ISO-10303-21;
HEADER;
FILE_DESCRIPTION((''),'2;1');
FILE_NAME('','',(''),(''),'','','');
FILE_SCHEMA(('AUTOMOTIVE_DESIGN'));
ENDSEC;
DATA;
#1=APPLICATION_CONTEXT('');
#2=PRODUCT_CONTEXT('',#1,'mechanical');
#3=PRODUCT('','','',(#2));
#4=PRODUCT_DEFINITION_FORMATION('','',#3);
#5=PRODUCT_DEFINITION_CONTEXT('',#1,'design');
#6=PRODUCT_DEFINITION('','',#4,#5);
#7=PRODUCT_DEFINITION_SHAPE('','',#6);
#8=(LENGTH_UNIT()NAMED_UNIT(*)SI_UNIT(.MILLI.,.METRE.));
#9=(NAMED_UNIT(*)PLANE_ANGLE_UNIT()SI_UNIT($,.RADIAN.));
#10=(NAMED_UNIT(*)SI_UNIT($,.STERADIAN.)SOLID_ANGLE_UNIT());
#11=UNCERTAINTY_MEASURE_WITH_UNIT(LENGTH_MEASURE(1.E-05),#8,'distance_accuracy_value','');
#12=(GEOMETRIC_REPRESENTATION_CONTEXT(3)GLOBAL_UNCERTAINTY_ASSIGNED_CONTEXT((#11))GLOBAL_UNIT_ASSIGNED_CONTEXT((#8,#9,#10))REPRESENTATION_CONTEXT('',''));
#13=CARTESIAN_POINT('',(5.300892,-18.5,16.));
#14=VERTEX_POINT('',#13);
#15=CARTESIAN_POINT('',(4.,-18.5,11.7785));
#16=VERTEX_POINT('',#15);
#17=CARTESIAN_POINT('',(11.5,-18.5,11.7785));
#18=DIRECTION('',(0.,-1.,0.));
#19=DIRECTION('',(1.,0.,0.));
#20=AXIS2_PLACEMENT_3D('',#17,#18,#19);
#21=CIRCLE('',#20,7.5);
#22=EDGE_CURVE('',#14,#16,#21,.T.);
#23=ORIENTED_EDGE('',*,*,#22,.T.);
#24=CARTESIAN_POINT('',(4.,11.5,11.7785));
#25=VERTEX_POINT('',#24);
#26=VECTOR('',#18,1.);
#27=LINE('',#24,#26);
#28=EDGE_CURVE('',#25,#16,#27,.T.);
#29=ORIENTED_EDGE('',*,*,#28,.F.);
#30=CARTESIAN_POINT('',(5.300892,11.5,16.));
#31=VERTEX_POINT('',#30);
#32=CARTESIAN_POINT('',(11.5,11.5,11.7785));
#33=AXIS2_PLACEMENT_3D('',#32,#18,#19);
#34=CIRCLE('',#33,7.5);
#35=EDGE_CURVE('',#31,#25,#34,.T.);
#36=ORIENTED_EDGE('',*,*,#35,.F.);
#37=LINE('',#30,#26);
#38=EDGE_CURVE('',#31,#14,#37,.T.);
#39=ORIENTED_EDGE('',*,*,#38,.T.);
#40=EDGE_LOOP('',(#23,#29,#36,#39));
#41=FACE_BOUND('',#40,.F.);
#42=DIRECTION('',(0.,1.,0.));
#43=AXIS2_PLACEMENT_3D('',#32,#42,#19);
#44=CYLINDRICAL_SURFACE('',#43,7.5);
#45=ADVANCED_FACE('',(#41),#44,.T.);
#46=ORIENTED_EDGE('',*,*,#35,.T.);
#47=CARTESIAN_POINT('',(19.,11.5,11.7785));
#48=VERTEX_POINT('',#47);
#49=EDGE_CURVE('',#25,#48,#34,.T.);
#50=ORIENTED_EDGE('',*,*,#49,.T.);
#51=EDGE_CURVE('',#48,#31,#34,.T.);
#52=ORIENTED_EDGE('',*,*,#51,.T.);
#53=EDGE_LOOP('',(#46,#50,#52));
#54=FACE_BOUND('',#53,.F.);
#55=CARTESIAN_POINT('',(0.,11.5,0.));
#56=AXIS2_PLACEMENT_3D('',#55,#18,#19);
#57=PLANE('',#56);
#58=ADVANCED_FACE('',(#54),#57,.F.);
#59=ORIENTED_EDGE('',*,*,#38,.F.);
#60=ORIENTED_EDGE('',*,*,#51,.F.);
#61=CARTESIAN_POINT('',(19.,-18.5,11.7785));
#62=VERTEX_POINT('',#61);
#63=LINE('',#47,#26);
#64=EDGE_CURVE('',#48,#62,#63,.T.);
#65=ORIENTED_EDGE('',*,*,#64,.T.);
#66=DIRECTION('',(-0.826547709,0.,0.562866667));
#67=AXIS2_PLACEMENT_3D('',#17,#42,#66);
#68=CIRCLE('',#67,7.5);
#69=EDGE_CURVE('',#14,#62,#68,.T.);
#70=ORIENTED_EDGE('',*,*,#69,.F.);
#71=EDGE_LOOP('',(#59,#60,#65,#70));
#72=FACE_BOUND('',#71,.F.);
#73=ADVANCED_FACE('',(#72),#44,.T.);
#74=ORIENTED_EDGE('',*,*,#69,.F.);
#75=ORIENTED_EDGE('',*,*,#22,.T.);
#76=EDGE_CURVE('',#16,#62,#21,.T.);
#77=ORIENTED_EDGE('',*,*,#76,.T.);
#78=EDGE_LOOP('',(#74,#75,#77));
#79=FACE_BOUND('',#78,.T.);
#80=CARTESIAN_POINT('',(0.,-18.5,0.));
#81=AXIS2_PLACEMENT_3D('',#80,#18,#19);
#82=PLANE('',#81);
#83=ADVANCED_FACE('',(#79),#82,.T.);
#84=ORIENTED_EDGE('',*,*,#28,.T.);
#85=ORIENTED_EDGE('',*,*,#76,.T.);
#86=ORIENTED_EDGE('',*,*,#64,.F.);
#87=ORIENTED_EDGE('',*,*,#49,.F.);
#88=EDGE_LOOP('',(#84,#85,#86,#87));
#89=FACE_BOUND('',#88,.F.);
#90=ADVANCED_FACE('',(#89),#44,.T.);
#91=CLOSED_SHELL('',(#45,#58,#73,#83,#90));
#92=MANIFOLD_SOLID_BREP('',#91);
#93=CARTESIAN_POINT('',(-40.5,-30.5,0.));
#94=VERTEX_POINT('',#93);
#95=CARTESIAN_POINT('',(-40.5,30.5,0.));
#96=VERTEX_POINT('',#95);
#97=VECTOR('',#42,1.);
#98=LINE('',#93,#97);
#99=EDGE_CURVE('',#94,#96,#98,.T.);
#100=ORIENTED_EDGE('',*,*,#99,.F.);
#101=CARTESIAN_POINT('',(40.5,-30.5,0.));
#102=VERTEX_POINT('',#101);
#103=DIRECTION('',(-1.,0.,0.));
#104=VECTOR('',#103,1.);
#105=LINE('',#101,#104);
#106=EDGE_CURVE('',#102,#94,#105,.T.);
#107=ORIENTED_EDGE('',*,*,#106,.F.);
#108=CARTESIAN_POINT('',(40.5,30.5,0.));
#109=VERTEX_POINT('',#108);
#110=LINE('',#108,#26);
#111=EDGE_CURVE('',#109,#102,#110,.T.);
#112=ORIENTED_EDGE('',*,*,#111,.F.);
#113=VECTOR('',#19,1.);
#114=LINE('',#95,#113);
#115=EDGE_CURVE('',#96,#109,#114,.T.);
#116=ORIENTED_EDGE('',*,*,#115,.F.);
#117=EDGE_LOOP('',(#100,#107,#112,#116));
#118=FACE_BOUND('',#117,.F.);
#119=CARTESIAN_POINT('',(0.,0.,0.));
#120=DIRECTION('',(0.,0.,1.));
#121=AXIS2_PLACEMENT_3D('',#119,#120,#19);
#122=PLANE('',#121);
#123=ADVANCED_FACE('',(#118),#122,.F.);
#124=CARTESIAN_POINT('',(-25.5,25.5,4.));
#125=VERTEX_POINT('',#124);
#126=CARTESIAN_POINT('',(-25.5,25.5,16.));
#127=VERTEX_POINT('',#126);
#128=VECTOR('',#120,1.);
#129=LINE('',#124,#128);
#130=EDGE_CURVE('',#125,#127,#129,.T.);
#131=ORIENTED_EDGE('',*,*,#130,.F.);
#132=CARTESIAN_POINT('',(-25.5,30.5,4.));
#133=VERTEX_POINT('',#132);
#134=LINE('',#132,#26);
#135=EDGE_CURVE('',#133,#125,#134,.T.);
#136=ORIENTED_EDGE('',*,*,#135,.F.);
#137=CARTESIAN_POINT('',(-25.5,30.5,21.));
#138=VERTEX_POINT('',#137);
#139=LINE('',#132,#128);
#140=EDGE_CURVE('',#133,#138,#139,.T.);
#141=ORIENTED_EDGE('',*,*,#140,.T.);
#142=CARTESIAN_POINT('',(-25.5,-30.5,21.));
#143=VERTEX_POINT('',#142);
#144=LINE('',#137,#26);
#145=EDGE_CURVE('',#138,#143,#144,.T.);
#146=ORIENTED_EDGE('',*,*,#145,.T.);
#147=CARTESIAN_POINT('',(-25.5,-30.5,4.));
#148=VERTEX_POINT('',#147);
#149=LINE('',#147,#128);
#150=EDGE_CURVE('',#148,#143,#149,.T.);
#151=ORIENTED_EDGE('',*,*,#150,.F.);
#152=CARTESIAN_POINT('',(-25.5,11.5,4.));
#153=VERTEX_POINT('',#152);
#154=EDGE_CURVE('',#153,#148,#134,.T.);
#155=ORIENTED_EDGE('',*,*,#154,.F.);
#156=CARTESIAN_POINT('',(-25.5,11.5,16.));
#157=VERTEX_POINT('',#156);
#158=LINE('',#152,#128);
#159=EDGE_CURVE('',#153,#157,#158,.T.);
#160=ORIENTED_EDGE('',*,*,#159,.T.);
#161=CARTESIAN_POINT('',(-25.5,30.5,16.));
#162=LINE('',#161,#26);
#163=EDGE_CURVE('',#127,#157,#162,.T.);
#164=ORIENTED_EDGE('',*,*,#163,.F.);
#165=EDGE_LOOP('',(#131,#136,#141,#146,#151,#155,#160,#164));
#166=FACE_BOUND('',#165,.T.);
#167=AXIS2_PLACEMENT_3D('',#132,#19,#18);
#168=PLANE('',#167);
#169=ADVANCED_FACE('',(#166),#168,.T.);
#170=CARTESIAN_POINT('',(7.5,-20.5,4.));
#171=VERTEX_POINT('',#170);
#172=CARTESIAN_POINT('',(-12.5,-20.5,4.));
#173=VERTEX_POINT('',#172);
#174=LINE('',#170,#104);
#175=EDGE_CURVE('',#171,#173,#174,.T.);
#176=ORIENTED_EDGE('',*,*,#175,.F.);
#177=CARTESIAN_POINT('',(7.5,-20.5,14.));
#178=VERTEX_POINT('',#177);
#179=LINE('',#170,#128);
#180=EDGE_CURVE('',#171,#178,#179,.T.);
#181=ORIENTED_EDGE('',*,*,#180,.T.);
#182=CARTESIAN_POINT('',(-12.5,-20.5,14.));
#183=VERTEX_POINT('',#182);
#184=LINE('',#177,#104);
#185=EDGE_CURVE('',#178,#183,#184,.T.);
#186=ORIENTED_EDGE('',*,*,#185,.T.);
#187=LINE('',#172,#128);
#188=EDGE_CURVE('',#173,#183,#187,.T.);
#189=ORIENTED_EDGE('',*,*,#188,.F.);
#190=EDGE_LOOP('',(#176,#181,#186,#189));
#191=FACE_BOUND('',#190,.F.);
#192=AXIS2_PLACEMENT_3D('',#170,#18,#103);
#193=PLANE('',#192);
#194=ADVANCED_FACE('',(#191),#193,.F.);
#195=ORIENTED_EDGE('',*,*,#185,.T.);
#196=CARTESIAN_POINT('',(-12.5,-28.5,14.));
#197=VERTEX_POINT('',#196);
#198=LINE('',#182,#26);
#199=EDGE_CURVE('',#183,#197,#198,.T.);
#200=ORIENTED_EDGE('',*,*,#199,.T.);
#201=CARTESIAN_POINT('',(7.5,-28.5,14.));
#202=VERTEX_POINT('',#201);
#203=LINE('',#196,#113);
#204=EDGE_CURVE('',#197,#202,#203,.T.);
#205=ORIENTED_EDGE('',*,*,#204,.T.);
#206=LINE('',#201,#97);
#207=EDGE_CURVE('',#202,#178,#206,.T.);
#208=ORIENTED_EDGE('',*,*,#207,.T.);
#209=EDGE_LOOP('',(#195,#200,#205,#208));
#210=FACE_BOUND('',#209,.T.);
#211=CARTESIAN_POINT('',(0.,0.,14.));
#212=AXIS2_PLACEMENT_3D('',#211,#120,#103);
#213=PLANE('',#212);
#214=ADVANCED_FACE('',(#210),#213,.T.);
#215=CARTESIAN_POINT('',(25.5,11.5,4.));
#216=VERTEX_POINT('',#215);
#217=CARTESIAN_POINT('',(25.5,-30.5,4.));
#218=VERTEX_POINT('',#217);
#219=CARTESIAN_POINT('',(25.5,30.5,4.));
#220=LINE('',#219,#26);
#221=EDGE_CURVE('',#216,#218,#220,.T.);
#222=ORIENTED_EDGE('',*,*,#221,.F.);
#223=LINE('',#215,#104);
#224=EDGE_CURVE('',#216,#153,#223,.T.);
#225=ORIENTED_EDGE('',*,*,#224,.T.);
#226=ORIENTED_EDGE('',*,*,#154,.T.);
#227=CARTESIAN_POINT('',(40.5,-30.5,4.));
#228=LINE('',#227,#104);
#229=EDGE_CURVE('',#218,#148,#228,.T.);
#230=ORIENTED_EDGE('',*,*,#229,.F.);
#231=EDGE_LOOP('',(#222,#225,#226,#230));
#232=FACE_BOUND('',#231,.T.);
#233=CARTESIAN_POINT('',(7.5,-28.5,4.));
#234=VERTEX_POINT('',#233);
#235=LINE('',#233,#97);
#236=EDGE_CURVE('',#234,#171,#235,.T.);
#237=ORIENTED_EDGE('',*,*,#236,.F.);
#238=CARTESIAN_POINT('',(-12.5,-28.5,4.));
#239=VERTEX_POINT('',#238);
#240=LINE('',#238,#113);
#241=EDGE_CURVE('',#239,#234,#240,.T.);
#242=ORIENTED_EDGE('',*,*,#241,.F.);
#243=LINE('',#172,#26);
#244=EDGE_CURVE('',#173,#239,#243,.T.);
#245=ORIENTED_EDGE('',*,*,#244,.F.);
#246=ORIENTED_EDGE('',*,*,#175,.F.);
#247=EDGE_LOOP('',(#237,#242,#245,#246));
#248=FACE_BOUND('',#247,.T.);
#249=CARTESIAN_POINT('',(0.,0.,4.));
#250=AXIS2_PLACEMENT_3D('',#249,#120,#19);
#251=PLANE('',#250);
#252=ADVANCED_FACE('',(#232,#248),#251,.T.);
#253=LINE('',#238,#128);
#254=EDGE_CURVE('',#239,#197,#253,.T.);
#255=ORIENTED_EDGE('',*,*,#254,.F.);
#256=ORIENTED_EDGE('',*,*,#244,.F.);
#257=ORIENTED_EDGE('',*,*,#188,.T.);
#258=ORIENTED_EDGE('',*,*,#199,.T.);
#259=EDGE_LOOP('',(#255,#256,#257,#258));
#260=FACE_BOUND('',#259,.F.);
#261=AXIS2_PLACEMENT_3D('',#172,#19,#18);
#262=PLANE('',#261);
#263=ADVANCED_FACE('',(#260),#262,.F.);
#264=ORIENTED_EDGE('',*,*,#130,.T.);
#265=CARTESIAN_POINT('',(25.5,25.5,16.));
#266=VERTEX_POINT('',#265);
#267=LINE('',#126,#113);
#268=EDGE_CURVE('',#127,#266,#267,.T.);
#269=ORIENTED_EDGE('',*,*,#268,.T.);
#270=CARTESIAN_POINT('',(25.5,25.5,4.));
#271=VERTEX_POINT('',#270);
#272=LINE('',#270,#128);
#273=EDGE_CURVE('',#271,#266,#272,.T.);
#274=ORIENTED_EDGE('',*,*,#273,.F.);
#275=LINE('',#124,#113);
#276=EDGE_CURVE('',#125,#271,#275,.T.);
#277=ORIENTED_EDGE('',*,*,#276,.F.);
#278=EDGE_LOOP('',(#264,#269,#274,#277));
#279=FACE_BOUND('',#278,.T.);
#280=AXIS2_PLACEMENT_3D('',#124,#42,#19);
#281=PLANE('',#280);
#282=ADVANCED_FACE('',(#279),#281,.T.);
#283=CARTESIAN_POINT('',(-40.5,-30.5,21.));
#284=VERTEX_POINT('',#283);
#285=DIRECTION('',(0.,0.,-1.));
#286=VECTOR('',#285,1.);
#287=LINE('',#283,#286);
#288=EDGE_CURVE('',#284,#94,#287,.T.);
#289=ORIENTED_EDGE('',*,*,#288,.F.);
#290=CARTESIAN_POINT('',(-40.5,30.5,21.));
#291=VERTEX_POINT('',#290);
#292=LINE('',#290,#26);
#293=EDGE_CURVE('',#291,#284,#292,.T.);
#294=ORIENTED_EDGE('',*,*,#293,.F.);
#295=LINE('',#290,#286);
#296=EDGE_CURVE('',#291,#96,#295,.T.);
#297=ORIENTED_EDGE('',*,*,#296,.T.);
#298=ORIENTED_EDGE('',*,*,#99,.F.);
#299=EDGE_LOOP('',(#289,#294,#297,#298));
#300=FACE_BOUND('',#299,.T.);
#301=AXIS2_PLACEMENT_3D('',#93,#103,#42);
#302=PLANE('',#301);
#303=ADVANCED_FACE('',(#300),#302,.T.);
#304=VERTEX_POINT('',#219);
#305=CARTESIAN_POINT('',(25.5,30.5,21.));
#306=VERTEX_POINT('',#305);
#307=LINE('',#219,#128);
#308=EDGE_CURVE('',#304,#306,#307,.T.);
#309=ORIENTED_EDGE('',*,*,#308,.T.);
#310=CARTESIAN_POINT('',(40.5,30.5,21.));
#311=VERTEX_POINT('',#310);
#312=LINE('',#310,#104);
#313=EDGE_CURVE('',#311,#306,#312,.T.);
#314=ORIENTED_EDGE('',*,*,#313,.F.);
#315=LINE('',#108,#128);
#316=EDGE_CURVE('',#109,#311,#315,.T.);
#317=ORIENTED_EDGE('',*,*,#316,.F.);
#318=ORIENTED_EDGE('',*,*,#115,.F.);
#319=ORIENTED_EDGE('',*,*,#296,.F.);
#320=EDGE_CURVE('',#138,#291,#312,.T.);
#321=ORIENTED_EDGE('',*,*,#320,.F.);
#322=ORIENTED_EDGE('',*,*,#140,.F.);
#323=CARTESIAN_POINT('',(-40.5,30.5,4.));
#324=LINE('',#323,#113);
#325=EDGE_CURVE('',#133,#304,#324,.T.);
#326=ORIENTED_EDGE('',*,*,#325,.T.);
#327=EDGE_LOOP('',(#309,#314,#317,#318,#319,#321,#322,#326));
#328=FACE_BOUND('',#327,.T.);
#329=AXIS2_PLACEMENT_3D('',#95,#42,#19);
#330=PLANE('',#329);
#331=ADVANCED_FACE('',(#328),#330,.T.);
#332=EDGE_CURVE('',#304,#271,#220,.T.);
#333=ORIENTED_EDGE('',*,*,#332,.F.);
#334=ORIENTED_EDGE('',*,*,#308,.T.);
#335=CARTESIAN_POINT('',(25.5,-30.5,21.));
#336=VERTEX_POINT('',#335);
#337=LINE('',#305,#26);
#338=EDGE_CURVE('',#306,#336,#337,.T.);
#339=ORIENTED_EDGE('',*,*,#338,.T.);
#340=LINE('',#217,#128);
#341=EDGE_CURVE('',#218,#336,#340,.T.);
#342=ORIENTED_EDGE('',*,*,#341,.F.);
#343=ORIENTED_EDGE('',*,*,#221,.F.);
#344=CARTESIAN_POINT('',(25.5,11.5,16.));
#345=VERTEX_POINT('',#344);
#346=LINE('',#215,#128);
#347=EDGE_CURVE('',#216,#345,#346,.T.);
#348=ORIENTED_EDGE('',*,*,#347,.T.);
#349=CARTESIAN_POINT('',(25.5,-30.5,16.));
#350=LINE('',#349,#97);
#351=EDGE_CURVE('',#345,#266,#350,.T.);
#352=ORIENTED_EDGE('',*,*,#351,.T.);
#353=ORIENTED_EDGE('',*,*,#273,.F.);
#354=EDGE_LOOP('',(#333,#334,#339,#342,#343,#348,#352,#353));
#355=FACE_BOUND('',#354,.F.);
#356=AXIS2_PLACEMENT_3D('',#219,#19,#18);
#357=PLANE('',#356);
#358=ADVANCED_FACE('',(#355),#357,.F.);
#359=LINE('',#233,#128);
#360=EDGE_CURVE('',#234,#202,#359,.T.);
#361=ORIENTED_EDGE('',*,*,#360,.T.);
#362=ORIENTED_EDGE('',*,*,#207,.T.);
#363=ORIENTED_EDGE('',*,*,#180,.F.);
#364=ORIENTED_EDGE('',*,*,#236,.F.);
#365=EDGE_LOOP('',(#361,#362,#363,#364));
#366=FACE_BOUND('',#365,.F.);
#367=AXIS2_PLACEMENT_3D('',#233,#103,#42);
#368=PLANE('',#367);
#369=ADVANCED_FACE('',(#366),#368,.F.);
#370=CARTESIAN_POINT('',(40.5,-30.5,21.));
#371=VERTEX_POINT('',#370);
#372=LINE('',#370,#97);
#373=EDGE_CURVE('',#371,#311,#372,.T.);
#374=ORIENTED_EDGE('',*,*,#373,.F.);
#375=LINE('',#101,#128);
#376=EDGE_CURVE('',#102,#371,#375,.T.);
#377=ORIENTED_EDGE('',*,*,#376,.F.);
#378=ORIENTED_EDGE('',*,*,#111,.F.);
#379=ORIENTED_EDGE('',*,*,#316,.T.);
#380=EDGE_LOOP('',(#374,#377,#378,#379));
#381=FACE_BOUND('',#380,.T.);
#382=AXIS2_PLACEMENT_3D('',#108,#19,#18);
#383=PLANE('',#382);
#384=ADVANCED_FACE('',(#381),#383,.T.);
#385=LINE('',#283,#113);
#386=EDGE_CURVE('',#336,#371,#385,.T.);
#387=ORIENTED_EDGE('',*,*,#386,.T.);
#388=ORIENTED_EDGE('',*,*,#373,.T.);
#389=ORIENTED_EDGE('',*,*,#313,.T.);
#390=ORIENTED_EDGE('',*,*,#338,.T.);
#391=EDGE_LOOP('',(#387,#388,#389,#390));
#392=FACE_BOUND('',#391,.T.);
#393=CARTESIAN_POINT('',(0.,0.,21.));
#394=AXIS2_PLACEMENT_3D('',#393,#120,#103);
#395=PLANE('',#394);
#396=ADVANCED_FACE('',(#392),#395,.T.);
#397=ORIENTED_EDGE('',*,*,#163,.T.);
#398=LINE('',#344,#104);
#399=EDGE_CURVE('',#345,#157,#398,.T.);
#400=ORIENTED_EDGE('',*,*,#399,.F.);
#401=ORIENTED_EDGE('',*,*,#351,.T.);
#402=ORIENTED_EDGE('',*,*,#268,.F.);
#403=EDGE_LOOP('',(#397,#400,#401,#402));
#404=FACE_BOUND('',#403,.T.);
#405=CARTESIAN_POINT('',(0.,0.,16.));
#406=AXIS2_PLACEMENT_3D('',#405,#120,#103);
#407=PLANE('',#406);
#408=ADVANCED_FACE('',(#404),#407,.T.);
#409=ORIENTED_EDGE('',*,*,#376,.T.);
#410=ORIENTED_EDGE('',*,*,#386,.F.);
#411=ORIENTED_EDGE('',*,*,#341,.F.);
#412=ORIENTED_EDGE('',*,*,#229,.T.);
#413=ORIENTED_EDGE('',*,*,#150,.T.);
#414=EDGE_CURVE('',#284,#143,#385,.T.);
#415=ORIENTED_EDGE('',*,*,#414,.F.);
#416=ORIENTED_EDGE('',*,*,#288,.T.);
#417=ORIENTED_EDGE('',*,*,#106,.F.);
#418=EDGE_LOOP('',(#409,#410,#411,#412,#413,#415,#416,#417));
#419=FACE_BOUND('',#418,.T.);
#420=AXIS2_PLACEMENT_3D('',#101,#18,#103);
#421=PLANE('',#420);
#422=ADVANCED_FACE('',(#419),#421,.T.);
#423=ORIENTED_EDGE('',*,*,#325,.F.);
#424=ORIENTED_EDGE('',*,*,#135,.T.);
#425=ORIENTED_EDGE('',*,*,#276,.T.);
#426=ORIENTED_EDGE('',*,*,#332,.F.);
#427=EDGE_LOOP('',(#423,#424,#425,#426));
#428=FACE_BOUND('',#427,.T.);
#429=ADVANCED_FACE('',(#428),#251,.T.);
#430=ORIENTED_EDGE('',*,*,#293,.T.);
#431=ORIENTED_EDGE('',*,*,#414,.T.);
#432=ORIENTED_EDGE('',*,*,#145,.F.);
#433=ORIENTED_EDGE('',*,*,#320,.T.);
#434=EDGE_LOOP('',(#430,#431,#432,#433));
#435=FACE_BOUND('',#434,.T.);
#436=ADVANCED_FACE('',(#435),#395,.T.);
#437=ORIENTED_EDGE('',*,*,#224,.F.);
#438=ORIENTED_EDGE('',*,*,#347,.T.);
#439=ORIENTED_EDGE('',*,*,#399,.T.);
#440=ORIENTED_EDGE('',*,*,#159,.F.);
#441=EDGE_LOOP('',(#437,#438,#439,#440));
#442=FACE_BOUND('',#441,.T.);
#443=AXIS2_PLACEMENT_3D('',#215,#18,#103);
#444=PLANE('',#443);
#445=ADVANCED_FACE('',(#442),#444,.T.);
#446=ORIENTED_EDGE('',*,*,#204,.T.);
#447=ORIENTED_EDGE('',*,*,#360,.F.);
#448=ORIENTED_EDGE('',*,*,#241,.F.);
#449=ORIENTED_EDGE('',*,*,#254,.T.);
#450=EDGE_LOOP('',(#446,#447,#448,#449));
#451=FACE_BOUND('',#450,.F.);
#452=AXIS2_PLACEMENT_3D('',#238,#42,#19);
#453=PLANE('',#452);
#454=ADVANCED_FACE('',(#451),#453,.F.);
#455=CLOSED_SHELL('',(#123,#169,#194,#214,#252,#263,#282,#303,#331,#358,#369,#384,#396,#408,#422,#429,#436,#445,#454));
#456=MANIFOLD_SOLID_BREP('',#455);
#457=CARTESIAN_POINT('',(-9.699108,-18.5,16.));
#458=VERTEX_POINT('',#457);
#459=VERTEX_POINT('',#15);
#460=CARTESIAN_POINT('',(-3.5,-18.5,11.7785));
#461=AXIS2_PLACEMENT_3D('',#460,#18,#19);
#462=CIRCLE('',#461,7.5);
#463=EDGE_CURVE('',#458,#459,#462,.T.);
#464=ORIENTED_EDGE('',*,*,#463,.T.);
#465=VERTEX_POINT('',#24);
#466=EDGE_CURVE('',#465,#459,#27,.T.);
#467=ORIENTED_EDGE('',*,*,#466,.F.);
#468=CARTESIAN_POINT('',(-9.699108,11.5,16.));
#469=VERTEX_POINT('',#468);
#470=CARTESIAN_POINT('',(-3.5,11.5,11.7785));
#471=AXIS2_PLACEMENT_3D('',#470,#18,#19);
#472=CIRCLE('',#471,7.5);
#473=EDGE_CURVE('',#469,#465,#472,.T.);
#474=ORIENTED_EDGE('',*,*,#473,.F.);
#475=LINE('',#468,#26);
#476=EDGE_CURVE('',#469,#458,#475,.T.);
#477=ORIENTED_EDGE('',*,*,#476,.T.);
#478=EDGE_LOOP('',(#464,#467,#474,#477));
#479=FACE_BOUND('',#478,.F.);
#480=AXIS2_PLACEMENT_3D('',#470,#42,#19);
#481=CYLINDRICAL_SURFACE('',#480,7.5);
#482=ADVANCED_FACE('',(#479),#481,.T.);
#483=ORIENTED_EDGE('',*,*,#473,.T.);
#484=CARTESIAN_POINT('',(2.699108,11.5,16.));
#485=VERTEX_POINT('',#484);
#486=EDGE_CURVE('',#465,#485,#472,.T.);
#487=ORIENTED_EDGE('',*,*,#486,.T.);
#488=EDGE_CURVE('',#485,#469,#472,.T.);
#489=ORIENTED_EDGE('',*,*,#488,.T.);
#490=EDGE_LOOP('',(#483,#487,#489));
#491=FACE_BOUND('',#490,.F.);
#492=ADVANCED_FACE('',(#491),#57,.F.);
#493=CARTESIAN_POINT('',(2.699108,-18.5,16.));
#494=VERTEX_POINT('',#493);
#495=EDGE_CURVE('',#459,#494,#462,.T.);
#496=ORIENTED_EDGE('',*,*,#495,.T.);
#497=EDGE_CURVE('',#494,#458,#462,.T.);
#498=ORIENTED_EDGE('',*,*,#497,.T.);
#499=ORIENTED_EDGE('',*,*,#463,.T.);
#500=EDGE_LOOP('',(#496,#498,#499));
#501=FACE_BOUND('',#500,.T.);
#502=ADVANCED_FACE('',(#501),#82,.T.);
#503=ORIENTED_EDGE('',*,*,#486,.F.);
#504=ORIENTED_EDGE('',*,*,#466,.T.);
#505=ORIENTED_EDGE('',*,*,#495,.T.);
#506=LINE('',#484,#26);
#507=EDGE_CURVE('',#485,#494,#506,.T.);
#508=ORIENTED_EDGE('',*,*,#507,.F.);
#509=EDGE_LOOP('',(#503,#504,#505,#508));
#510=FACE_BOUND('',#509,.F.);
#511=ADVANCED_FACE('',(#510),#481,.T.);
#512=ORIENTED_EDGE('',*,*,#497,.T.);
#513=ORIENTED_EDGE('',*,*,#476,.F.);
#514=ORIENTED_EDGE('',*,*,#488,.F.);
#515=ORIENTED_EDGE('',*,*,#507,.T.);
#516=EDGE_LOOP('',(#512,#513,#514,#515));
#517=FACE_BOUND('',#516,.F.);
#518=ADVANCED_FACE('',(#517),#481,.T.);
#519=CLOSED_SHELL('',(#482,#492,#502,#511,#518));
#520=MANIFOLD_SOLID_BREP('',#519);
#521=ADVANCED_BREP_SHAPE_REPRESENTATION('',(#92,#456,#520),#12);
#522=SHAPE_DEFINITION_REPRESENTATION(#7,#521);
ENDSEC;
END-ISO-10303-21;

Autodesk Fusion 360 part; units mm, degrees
sketch "Sketch1" plane through (0, 0, 0) normal (0, 0, 1) x (1, 0, 0)
  line L0 (40.5, -30.5) -> (-40.5, -30.5)
  line L1 (-40.5, -30.5) -> (-40.5, 30.5)
  line L2 (-40.5, 30.5) -> (40.5, 30.5)
  line L3 (40.5, 30.5) -> (40.5, -30.5)
  line L4 (40.5, -30.5) -> (-40.5, 30.5) construction
  line L5 (-40.5, -30.5) -> (40.5, 30.5) construction
  dimension "d1" = 81
  dimension "d2" = 61
extrude "Extrude1" add sketch "Sketch1" along normal blind 4 makes body 1
sketch "Sketch2" plane through (0, 0, 4) normal (0, 0, 1) x (-1, 0, 0)
  line L0 (-40.5, -30.5) -> (40.5, -30.5)
  line L1 (40.5, -30.5) -> (40.5, 30.5)
  line L2 (40.5, 30.5) -> (-40.5, 30.5)
  line L3 (-40.5, 30.5) -> (-40.5, -30.5)
  line L4 (40.5, -30.5) -> (25.5, -30.5)
  line L5 (25.5, -30.5) -> (25.5, 30.5)
  line L6 (25.5, 30.5) -> (40.5, 30.5)
  line L7 (40.5, 30.5) -> (40.5, -30.5)
  line L8 (0, -30.5) -> (0, 30) construction
  line L9 (-25.5, -30.5) -> (-25.5, 30.5)
  line L10 (-40.5, -30.5) -> (-25.5, -30.5)
  line L11 (-40.5, 30.5) -> (-40.5, -30.5)
  line L12 (-25.5, 30.5) -> (-40.5, 30.5)
  dimension "d5" = 15
extrude "Extrude2" add sketch "Sketch2" along normal blind 17 contours L0 L2 L3 L9 L10 L11 L12 | L0 L1 L2 L4 L5 L6 L7 bodies 1
sketch "Sketch3" plane through (0, 0, 4) normal (0, 0, 1) x (-1, 0, 0)
  line L0 (-25.5, 30.5) -> (-25.5, -30.5)
  line L1 (-25.5, -30.5) -> (25.5, -30.5)
  line L2 (25.5, -30.5) -> (25.5, 30.5)
  line L3 (25.5, 30.5) -> (-25.5, 30.5)
  line L4 (12.5, 28.5) -> (-7.5, 28.5)
  line L5 (-7.5, 28.5) -> (-7.5, 20.5)
  line L6 (-7.5, 20.5) -> (12.5, 20.5)
  line L7 (12.5, 20.5) -> (12.5, 28.5)
  line L8 (25.5, -25.5) -> (-25.5, -25.5)
  line L9 (-25.5, -25.5) -> (-25.5, -11.5)
  line L10 (-25.5, -11.5) -> (25.5, -11.5)
  line L11 (25.5, -11.5) -> (25.5, -25.5)
  dimension "d8" = 20
  dimension "d9" = 8
  dimension "d10" = 2
  dimension "d11" = 18
  dimension "d12" = 14
  dimension "d13" = 5
extrude "Extrude3" add sketch "Sketch3" along normal blind 10 contours L4 L5 L6 L7 bodies 1
extrude "Extrude4" add sketch "Sketch3" along normal blind 12 contours L0 L2 L8 L9 L10 L11 bodies 1
sketch "Sketch5" plane through (0, 11.5, 0) normal (0, -1, 0) x (1, 0, 0)
  line L0 (-25.5, 4) -> (25.5, 4)
  line L1 (25.5, 4) -> (25.5, 16)
  line L2 (25.5, 16) -> (-25.5, 16)
  line L3 (-25.5, 16) -> (-25.5, 4)
  circle A0 centre (11.5, 11.7785) radius 7.5
  circle A1 centre (-3.5, 11.7785) radius 7.5
  dimension "d18" = 15
  dimension "d19" = 14
  dimension "d20" = 15
extrude "Extrude5" add sketch "Sketch5" along normal blind 30 separate body contours L2 A1 | L2 A1 | L2 A0 | L2 A0 makes body 2 at (-10.9631, -8.5, 12.5217)
